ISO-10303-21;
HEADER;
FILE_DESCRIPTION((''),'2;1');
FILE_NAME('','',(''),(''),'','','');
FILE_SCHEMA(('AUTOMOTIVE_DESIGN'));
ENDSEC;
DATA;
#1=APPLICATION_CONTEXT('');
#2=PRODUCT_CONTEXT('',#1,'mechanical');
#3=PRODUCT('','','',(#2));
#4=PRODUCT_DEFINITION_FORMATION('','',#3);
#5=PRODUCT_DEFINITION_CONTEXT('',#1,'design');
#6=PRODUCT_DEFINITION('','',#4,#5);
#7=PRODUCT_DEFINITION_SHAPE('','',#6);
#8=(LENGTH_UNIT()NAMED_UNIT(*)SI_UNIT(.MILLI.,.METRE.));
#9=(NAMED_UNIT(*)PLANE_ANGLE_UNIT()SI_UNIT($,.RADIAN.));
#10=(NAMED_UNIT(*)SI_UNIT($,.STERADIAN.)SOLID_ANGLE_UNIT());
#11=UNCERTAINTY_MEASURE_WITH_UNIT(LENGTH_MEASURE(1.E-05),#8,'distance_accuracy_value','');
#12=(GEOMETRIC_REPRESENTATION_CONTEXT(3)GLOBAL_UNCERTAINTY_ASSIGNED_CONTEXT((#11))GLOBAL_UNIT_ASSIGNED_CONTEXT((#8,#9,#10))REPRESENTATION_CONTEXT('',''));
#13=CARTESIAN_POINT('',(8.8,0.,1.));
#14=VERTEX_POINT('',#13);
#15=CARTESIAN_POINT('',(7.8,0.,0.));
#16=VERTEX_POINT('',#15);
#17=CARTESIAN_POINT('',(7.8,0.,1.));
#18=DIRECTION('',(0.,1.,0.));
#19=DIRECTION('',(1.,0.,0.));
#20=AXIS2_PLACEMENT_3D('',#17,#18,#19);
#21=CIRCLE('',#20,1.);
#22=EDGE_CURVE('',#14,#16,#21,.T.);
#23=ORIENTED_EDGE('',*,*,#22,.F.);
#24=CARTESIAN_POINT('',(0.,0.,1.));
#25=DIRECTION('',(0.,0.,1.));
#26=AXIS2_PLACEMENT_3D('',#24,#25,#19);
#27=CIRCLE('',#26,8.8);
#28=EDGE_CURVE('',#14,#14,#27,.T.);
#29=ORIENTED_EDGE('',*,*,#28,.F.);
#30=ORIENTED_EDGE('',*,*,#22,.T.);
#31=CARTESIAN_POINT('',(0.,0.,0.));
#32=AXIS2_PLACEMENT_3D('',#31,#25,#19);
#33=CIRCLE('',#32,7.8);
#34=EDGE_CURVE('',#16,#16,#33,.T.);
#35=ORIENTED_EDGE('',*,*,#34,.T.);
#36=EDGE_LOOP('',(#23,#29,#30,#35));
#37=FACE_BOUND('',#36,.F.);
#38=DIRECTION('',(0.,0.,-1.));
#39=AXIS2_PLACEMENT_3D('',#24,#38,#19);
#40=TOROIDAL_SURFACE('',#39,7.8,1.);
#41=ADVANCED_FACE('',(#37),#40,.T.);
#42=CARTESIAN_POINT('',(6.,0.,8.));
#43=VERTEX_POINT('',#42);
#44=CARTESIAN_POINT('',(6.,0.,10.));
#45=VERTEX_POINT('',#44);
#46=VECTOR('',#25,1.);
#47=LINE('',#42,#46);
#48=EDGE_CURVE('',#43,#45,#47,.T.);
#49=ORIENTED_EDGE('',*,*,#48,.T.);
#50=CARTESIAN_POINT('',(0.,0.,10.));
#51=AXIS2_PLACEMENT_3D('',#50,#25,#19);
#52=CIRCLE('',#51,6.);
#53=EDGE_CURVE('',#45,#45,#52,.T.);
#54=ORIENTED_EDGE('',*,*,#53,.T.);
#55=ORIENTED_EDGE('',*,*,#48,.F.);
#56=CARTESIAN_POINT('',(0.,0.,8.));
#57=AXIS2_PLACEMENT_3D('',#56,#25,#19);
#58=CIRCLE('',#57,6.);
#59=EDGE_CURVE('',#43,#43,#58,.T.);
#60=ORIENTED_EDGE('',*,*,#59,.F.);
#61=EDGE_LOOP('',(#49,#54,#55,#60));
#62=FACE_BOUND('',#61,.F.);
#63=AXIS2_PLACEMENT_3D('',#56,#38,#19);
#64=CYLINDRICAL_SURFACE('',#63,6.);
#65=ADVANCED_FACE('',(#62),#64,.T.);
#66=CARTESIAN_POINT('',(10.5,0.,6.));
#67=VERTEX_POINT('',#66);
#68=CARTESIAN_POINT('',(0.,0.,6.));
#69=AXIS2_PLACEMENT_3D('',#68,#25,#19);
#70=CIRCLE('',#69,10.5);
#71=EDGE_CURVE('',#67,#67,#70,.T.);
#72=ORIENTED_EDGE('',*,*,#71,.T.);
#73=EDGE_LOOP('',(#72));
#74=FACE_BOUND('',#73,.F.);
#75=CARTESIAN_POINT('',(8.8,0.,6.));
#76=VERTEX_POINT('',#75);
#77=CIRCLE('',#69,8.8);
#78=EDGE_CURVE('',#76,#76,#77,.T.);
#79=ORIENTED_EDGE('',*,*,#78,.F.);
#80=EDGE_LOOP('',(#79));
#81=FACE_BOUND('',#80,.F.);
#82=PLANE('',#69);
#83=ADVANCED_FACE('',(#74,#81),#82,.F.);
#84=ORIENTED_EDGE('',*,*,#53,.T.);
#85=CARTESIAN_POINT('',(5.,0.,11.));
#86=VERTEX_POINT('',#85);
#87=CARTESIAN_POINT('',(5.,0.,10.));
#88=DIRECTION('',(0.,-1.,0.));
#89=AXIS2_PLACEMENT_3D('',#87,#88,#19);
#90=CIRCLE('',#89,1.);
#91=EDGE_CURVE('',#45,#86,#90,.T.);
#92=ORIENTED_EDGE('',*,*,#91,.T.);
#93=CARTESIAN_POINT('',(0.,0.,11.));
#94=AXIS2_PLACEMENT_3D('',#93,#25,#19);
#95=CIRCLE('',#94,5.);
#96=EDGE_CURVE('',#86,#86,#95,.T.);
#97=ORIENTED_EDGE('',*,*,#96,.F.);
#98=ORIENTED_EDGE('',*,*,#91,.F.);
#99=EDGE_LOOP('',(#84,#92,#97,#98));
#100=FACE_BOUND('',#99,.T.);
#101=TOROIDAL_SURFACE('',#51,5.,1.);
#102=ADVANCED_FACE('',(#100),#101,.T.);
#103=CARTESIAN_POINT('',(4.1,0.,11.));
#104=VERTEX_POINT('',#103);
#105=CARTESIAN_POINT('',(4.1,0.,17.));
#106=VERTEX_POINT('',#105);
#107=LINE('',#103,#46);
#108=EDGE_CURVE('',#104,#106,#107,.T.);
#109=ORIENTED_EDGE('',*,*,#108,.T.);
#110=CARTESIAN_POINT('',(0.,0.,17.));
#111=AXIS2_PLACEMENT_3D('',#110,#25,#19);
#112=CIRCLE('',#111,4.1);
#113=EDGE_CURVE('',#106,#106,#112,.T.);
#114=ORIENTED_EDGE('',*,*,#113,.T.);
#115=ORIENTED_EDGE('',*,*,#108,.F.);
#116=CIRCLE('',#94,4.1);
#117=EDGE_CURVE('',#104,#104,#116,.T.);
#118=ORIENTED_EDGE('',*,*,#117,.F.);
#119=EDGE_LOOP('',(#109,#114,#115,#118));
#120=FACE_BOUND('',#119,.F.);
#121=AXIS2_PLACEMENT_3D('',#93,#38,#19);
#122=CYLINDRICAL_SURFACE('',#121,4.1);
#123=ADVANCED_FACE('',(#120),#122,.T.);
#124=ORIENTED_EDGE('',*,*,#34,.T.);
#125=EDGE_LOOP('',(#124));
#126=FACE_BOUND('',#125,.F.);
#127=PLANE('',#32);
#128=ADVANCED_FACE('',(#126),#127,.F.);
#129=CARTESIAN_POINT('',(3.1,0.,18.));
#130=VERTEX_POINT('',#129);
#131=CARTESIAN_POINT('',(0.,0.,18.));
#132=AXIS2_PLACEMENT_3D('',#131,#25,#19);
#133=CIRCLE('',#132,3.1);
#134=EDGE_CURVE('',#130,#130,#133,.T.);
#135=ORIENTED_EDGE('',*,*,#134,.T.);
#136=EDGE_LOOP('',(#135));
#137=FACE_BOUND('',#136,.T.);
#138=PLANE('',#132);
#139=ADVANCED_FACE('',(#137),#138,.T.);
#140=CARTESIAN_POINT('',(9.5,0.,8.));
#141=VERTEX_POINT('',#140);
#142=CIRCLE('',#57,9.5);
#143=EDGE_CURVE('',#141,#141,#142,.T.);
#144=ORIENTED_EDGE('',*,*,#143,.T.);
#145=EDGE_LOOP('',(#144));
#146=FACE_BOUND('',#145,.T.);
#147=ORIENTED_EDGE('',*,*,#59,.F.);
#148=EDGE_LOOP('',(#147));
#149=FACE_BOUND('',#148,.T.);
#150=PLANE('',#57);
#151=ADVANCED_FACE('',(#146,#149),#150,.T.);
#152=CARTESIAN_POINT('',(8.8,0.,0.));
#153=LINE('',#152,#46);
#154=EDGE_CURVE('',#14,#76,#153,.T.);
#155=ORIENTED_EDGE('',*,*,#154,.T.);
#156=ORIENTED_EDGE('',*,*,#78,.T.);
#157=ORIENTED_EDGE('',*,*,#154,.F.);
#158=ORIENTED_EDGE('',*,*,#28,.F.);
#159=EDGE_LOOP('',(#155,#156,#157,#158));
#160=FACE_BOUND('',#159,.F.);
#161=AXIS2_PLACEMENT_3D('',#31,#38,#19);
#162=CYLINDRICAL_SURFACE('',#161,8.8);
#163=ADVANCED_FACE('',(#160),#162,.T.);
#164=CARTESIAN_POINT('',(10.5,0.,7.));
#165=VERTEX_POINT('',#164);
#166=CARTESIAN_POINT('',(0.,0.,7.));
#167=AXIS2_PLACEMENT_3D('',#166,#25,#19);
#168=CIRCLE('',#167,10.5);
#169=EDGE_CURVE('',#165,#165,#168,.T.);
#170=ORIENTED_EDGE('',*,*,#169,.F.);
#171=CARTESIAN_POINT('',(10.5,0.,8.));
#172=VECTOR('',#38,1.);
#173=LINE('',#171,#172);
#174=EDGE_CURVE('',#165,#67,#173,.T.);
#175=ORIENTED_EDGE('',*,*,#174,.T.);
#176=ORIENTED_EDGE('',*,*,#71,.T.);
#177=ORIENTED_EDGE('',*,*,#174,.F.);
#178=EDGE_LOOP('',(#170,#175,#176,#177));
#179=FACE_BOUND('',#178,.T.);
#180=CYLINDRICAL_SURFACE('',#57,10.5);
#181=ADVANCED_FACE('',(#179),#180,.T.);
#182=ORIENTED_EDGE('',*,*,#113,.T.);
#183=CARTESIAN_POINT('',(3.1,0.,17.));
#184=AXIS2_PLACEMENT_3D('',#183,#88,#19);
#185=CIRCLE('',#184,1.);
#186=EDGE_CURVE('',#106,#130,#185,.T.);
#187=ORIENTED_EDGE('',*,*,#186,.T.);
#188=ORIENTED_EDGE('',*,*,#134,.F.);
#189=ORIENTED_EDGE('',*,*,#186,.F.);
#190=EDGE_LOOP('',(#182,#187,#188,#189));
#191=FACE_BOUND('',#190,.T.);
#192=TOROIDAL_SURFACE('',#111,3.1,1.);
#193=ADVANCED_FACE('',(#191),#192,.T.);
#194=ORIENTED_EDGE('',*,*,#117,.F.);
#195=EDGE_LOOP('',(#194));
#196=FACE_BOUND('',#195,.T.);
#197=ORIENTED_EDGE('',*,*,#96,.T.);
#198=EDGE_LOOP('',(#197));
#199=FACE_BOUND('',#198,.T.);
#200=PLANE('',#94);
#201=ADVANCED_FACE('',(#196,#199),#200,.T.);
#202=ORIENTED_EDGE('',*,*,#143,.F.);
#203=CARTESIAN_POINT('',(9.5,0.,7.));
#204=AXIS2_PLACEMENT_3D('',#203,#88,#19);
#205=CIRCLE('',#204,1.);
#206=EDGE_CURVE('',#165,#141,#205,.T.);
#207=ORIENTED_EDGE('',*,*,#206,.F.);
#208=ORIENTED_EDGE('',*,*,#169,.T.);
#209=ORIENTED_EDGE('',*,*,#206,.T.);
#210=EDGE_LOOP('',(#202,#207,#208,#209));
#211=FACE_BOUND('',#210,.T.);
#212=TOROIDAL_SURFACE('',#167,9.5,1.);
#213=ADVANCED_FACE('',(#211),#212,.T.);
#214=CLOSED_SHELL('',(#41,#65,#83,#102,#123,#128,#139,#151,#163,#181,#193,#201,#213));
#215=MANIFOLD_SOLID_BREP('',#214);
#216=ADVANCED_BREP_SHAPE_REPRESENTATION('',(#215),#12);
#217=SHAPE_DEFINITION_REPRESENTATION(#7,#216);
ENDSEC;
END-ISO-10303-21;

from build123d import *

# Parameters (mm, degrees)
F0_R     = 8.8
F1_DEPTH = 8
F2_R     = 6
F3_DEPTH = 3
F4_R     = 4.1
F5_DEPTH = 7
F6_R     = 10.5
F6_R_2   = 8.8
F7_DEPTH = 2
F8_R     = 1


with BuildPart() as f1:
    # F0 (on Top) → F1 (new body)
    with BuildSketch(Plane.XY):
        Circle(F0_R)
    extrude(amount=F1_DEPTH)

    # F2 (on face) → F3 (join)
    with BuildSketch(Plane.XY.offset(8)):
        Circle(F2_R)
    extrude(amount=F3_DEPTH)

    # F4 (on face) → F5 (join)
    with BuildSketch(Plane.XY.offset(11)):
        Circle(F4_R)
    extrude(amount=F5_DEPTH)

    # F6 (on face) → F7 (join)
    with BuildSketch(Plane.XY.offset(8)):
        Circle(F6_R)
        Circle(F6_R_2, mode=Mode.SUBTRACT)
    extrude(amount=-F7_DEPTH)

    # F8
    f8_edges = [f1.edges().sort_by_distance(p)[0] for p in [
        (-4.1, 0, 18),
        (-6, 0, 11),
        (-10.5, 0, 8),
        (-8.8, 0, 0),
    ]]
    fillet(f8_edges, radius=F8_R)


solid = f1.part
